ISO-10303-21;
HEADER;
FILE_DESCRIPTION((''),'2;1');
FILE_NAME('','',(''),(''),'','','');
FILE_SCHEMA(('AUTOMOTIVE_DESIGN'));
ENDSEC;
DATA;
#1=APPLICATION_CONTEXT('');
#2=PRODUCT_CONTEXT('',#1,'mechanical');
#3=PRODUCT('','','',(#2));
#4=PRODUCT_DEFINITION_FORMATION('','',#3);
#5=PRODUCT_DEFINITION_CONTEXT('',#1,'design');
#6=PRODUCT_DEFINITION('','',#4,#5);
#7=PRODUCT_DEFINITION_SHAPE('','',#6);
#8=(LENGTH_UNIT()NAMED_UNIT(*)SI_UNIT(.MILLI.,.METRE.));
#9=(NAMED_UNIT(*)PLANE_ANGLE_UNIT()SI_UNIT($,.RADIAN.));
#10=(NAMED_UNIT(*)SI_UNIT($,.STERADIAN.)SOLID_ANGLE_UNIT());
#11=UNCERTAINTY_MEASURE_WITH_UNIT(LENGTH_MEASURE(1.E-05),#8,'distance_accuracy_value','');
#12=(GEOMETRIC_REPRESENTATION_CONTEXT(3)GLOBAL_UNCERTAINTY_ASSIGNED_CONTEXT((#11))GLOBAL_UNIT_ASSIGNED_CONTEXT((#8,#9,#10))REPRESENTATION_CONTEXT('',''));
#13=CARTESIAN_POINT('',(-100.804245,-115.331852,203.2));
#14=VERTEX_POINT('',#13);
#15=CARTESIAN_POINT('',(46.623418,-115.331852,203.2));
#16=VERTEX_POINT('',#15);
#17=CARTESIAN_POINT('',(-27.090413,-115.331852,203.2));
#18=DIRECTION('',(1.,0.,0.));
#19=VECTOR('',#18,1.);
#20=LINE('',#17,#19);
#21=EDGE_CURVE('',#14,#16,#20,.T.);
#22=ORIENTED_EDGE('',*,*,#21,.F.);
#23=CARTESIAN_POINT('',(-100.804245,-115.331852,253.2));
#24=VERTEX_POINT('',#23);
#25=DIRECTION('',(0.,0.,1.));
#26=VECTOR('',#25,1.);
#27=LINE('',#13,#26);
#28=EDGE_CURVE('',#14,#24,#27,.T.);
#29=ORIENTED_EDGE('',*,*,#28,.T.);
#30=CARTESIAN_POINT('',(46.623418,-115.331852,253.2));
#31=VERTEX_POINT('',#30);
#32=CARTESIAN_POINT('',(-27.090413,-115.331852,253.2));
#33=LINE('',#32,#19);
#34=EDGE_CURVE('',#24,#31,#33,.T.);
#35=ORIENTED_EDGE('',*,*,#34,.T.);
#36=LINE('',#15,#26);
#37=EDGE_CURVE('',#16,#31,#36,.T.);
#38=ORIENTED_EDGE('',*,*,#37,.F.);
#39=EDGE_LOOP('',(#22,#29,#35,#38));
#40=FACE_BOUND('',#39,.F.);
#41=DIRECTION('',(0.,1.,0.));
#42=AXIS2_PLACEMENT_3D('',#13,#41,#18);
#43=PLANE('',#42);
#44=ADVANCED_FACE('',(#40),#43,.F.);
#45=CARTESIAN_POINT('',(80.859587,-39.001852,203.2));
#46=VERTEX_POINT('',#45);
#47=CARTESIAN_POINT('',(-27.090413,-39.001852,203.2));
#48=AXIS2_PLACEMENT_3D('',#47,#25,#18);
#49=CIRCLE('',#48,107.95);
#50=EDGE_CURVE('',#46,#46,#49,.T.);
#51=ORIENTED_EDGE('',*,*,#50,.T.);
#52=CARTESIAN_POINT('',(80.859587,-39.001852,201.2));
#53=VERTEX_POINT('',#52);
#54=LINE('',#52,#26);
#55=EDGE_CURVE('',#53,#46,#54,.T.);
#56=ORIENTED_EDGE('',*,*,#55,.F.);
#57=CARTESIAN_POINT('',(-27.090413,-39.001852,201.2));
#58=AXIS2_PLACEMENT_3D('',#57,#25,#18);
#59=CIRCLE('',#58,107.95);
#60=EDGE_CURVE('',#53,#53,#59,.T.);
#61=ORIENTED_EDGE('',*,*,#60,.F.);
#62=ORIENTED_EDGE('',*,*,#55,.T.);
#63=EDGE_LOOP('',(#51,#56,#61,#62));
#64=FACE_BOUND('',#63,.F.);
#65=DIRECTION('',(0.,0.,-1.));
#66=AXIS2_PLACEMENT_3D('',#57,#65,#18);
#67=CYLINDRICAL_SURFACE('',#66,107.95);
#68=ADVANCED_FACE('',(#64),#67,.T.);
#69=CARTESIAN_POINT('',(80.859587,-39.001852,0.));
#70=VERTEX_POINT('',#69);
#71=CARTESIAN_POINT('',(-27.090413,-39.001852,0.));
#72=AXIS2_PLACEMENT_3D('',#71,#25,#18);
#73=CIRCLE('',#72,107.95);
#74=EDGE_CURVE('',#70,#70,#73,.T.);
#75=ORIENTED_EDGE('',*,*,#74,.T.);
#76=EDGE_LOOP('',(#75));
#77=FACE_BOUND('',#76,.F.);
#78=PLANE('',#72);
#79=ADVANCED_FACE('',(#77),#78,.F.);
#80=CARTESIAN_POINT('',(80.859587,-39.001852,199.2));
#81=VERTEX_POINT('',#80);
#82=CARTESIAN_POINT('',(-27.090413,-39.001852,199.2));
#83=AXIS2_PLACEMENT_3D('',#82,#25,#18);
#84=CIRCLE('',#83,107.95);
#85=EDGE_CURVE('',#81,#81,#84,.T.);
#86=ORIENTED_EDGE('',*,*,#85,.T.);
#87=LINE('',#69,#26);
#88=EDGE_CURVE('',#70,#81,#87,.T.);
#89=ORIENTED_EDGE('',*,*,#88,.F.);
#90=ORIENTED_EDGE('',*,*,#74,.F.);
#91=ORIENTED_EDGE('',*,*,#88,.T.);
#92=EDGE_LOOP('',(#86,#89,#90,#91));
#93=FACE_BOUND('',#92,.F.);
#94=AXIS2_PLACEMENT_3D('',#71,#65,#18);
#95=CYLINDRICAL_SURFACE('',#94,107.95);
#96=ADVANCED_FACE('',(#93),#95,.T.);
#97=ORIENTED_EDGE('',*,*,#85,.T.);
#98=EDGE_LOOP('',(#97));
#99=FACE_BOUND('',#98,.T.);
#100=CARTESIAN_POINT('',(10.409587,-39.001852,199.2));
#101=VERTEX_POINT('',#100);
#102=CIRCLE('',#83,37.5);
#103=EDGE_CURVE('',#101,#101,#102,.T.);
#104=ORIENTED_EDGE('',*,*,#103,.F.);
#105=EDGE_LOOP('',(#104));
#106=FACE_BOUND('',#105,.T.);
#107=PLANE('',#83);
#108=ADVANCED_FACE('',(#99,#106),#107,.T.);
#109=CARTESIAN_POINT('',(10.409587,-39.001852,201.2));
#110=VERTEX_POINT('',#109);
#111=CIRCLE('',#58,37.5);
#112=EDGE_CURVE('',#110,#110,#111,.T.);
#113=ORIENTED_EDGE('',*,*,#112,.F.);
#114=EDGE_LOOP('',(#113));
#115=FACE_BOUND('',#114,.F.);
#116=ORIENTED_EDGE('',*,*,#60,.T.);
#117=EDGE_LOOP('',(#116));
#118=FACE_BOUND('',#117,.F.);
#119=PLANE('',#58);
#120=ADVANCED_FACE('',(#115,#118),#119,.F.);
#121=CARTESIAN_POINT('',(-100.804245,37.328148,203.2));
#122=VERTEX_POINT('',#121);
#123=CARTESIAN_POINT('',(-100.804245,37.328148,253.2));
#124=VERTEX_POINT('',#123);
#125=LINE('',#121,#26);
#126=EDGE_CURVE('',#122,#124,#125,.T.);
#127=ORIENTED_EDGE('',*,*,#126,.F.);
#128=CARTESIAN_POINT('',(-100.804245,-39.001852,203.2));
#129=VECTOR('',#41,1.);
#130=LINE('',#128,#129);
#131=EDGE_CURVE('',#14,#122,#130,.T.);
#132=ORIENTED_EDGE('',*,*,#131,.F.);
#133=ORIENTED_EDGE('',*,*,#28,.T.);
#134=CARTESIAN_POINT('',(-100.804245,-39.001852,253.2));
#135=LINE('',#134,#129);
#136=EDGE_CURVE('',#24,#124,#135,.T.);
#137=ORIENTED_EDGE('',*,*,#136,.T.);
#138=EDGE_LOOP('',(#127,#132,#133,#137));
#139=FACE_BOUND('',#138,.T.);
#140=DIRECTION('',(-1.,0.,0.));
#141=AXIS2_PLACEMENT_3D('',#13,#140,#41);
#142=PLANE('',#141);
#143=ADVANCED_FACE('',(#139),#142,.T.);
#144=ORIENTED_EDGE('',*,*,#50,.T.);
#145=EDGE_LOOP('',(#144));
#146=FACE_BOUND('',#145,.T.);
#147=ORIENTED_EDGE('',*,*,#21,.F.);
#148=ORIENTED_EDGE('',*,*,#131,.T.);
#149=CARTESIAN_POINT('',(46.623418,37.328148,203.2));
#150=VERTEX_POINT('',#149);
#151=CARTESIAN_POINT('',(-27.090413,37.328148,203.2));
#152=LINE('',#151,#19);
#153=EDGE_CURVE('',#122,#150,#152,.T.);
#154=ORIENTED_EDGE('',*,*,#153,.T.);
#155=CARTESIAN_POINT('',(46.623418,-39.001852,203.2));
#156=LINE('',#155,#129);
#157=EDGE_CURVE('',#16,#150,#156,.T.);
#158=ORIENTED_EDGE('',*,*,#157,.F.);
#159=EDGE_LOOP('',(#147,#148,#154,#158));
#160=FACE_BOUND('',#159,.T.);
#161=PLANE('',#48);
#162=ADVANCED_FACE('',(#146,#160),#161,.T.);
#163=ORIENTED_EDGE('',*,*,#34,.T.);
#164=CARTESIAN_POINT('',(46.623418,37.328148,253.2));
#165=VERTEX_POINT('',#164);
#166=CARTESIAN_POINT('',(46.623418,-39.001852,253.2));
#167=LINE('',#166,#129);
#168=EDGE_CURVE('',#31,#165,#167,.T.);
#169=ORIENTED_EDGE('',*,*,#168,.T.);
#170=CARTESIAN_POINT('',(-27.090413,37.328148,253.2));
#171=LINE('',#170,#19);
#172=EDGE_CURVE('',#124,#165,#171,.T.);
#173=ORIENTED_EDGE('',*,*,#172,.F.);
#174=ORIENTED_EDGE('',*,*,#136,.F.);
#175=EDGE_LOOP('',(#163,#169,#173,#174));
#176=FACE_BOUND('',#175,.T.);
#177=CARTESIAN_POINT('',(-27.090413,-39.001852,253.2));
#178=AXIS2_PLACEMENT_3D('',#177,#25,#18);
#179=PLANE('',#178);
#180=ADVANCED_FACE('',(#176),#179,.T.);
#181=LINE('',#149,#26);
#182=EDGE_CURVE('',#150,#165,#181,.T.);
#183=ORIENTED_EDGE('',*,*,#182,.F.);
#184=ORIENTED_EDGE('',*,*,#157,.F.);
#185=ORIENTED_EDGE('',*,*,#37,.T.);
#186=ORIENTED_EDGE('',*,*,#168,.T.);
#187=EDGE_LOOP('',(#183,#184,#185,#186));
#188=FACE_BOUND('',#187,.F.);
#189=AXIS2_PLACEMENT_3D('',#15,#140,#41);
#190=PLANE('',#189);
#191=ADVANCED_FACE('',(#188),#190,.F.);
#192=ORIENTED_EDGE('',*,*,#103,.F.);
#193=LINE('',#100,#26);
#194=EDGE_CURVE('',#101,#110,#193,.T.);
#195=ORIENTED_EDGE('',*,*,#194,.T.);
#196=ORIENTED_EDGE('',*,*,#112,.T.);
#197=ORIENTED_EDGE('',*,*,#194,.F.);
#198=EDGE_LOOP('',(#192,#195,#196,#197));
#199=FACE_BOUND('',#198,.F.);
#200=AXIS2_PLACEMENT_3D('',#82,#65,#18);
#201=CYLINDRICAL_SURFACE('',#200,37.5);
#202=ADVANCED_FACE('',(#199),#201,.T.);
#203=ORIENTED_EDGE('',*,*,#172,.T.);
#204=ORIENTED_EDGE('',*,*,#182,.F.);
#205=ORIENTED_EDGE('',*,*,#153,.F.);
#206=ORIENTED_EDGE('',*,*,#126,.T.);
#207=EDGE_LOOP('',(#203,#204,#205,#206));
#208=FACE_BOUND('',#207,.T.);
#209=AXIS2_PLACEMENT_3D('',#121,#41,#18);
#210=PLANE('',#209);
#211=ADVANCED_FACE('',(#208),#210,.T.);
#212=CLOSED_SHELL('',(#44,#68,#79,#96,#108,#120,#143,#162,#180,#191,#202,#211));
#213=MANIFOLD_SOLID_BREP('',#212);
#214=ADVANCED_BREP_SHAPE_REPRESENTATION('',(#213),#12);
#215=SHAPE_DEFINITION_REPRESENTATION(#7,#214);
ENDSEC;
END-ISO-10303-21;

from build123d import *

# Parameters (mm, degrees)
F0_R     = 107.95
F1_DEPTH = 199.2
F2_R     = 37.5
F3_DEPTH = 2
F4_R     = 107.95
F5_DEPTH = 2
F6_W     = 147.4276631508
F6_H     = 152.66
F7_DEPTH = 50


with BuildPart() as f1:
    # F0 (on Top) → F1 (new body)
    with BuildSketch(Plane.XY):
        with Locations((-27.0904134959, -39.0018522739)):
            Circle(F0_R)
    extrude(amount=F1_DEPTH)

    # F2 (on face) → F3 (join)
    with BuildSketch(Plane.XY.offset(199.2)):
        with Locations((-27.0904134959, -39.0018522739)):
            Circle(F2_R)
    extrude(amount=F3_DEPTH)

    # F4 (on face) → F5 (join)
    with BuildSketch(Plane.XY.offset(201.2)):
        with Locations((-27.0904134959, -39.0018522739)):
            Circle(F4_R)
    extrude(amount=F5_DEPTH)

    # F6 (on face) → F7 (join)
    with BuildSketch(Plane.XY.offset(203.2)):
        with Locations((-27.0904134959, -39.0018522739)):
            Rectangle(F6_W, F6_H)
    extrude(amount=F7_DEPTH)


solid = f1.part
